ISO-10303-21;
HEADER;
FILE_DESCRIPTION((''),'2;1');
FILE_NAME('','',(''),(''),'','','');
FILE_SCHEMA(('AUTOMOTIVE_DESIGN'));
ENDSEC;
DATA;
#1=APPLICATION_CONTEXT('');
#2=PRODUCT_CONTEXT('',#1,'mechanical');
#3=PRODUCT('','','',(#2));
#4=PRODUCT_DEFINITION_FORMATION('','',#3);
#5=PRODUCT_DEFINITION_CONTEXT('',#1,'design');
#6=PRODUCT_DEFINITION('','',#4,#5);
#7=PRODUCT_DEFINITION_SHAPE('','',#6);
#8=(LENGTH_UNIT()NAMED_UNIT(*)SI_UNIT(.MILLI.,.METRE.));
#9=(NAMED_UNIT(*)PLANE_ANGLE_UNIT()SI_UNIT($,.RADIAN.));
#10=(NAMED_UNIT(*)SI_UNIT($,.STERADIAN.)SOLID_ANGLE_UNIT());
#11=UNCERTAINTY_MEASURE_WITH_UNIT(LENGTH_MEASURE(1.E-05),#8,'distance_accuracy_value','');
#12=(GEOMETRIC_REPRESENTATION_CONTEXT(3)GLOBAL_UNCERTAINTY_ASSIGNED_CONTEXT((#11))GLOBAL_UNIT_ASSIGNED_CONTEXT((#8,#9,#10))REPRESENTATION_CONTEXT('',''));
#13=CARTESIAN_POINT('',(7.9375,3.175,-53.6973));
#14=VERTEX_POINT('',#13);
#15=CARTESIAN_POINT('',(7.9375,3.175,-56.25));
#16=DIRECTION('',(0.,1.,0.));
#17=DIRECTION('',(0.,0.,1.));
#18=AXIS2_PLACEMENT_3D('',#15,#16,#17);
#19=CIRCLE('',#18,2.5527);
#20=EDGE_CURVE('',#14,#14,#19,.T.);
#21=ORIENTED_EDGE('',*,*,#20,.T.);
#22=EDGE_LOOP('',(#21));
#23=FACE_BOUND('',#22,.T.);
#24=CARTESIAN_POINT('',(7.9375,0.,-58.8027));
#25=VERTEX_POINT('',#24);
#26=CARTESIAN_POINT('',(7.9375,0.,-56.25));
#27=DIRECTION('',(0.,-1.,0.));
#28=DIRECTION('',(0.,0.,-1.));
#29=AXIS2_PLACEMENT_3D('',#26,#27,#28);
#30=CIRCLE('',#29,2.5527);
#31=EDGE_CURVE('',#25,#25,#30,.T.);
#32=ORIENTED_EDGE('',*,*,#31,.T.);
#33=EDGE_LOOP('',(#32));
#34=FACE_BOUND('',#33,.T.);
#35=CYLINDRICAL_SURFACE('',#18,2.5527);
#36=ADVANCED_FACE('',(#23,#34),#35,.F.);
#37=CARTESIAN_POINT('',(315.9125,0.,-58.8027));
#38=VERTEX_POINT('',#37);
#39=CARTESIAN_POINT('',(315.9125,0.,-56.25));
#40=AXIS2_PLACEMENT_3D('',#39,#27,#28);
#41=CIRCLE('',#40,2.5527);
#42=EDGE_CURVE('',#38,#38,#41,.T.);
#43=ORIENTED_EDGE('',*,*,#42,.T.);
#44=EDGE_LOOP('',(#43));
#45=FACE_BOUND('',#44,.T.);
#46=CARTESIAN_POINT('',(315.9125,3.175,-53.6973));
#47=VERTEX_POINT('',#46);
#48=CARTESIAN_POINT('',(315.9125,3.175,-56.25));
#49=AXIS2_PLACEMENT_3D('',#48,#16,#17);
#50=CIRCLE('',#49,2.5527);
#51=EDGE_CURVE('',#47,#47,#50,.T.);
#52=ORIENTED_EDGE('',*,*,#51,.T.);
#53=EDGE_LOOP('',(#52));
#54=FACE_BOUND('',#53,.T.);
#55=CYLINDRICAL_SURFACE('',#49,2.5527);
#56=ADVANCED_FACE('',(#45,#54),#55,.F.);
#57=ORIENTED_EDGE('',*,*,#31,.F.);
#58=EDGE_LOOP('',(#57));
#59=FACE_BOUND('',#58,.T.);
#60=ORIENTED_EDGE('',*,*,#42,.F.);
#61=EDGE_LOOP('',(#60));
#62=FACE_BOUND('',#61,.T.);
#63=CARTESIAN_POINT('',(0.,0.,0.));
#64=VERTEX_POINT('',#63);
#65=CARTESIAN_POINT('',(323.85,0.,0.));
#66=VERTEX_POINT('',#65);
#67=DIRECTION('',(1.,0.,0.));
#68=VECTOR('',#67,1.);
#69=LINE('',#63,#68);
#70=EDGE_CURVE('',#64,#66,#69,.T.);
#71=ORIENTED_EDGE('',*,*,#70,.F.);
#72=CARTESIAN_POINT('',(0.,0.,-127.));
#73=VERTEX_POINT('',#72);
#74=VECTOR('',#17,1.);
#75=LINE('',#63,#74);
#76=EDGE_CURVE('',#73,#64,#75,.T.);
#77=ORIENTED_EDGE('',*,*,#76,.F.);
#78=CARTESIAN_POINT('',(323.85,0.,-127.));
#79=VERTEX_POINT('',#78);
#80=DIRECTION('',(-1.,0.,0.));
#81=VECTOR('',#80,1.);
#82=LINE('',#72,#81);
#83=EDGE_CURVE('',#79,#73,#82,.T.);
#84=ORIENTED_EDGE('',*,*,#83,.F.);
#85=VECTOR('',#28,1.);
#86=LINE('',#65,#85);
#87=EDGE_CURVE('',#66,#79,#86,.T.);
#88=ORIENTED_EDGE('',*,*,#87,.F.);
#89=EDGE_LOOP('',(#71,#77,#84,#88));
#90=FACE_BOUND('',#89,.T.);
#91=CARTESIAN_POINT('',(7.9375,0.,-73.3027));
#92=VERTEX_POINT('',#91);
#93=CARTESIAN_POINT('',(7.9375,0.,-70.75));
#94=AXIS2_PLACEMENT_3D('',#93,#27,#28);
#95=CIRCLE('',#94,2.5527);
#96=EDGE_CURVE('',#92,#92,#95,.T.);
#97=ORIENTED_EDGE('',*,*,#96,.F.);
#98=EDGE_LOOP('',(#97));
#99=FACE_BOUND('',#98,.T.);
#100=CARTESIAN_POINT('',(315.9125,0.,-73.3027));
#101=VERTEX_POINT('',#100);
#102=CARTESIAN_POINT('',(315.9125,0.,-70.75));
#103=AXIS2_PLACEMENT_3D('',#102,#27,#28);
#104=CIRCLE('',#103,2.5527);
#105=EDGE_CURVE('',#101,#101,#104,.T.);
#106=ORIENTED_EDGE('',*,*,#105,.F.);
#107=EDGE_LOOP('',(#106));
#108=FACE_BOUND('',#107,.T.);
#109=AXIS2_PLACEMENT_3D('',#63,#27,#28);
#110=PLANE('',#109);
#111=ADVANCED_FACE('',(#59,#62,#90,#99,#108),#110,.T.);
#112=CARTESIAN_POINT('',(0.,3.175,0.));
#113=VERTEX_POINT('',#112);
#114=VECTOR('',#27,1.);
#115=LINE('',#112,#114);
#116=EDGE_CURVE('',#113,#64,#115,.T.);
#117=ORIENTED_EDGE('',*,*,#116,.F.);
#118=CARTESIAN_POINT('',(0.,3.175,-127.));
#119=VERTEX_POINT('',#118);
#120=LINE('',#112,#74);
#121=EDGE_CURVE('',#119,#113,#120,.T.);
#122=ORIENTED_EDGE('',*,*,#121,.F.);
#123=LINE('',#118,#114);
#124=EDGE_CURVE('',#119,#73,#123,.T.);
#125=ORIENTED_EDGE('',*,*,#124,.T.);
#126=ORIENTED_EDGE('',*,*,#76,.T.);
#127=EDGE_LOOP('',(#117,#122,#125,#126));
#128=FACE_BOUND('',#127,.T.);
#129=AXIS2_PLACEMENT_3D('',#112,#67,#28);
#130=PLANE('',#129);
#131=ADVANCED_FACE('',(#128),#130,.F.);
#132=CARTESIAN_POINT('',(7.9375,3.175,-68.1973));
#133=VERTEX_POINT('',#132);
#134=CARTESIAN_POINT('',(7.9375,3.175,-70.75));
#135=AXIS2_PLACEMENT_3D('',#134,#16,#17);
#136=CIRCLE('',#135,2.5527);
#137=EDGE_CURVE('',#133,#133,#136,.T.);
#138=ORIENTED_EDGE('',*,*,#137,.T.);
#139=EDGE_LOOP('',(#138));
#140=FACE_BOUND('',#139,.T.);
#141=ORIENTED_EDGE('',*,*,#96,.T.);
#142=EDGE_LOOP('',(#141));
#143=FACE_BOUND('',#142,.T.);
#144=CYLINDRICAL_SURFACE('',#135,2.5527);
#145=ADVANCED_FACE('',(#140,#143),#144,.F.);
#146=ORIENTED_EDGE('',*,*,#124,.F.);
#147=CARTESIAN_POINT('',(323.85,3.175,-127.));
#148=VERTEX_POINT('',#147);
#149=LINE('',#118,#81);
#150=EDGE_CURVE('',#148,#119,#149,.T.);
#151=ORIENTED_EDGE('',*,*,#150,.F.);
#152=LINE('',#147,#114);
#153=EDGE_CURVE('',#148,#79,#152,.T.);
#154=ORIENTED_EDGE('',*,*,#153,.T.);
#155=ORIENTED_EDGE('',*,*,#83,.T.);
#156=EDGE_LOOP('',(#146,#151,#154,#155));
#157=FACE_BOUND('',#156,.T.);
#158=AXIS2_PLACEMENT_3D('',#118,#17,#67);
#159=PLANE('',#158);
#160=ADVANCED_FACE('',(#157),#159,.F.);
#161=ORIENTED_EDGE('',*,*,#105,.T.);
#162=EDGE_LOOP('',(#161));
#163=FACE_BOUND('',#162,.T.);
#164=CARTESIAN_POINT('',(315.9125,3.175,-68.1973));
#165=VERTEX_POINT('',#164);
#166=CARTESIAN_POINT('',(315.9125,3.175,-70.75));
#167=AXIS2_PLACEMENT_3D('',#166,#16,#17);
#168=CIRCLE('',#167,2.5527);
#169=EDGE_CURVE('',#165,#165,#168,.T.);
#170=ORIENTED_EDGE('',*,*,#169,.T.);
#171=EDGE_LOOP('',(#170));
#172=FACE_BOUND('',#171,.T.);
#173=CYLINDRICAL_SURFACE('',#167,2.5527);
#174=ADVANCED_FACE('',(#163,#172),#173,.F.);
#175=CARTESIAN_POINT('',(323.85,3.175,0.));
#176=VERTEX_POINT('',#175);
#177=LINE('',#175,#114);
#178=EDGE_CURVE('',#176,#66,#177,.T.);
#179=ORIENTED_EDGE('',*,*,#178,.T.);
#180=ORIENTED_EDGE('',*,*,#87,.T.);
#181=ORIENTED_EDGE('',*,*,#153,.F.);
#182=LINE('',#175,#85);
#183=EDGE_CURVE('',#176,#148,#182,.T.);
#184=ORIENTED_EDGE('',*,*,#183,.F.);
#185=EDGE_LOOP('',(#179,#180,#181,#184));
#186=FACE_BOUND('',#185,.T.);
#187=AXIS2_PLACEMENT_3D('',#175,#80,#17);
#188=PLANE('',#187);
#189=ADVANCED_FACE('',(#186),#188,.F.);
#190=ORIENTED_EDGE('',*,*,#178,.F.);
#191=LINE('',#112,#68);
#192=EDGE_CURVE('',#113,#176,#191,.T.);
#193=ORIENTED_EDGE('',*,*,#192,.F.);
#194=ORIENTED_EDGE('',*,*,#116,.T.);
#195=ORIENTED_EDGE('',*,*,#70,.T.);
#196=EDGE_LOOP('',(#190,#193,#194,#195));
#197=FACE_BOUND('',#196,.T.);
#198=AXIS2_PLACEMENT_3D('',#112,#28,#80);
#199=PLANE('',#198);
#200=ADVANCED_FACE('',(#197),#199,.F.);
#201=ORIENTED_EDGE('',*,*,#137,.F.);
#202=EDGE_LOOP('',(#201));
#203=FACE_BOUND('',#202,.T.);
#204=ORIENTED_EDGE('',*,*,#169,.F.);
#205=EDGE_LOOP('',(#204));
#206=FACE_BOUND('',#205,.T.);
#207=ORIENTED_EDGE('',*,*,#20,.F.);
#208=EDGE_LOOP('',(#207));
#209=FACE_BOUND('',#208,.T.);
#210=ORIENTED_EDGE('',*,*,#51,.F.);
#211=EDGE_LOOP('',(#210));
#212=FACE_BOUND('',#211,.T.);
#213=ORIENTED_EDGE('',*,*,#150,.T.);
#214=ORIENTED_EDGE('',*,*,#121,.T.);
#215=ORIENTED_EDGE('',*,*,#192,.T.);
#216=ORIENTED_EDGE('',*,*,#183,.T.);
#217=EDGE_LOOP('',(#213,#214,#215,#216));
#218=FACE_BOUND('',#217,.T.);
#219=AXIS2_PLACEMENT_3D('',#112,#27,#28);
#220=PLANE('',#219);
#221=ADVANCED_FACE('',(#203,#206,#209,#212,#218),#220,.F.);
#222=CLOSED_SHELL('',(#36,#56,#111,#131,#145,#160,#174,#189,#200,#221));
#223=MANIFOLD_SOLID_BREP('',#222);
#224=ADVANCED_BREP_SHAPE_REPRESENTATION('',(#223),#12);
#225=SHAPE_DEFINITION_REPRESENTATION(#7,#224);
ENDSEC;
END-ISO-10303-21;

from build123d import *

# Parameters (mm, degrees)
SKETCH1_W                  = 323.85
SKETCH1_H                  = 127
BOSS_EXTRUDE1_DEPTH        = 3.175
F_10_CLEARANCE_HOLE1_D     = 5.1054
F_10_CLEARANCE_HOLE1_DEPTH = 12.7
F_10_CLEARANCE_HOLE1_TIP   = 1.533816902


with BuildPart() as part:
    # Sketch1 → Boss-Extrude1 (new body)
    with BuildSketch(Plane(origin=(0, 0, 0), x_dir=(1, 0, 0), z_dir=(0, 1, 0))):
        with Locations((161.925, 63.5)):
            Rectangle(SKETCH1_W, SKETCH1_H)
    extrude(amount=BOSS_EXTRUDE1_DEPTH)

    # #10 Clearance Hole1
    with Locations(Plane(origin=(0, 3.175, 0), x_dir=(1, 0, 0), z_dir=(0, 1, 0))):
        with Locations((315.9125, 70.75), (315.9125, 56.25), (7.9375, 70.75), (7.9375, 56.25)):
            Hole(F_10_CLEARANCE_HOLE1_D / 2, depth=F_10_CLEARANCE_HOLE1_DEPTH)
            with Locations((0, 0, -(F_10_CLEARANCE_HOLE1_DEPTH + F_10_CLEARANCE_HOLE1_TIP / 2))):  # 118° drill point
                Cone(0, F_10_CLEARANCE_HOLE1_D / 2, F_10_CLEARANCE_HOLE1_TIP, mode=Mode.SUBTRACT)


solid = part.part
